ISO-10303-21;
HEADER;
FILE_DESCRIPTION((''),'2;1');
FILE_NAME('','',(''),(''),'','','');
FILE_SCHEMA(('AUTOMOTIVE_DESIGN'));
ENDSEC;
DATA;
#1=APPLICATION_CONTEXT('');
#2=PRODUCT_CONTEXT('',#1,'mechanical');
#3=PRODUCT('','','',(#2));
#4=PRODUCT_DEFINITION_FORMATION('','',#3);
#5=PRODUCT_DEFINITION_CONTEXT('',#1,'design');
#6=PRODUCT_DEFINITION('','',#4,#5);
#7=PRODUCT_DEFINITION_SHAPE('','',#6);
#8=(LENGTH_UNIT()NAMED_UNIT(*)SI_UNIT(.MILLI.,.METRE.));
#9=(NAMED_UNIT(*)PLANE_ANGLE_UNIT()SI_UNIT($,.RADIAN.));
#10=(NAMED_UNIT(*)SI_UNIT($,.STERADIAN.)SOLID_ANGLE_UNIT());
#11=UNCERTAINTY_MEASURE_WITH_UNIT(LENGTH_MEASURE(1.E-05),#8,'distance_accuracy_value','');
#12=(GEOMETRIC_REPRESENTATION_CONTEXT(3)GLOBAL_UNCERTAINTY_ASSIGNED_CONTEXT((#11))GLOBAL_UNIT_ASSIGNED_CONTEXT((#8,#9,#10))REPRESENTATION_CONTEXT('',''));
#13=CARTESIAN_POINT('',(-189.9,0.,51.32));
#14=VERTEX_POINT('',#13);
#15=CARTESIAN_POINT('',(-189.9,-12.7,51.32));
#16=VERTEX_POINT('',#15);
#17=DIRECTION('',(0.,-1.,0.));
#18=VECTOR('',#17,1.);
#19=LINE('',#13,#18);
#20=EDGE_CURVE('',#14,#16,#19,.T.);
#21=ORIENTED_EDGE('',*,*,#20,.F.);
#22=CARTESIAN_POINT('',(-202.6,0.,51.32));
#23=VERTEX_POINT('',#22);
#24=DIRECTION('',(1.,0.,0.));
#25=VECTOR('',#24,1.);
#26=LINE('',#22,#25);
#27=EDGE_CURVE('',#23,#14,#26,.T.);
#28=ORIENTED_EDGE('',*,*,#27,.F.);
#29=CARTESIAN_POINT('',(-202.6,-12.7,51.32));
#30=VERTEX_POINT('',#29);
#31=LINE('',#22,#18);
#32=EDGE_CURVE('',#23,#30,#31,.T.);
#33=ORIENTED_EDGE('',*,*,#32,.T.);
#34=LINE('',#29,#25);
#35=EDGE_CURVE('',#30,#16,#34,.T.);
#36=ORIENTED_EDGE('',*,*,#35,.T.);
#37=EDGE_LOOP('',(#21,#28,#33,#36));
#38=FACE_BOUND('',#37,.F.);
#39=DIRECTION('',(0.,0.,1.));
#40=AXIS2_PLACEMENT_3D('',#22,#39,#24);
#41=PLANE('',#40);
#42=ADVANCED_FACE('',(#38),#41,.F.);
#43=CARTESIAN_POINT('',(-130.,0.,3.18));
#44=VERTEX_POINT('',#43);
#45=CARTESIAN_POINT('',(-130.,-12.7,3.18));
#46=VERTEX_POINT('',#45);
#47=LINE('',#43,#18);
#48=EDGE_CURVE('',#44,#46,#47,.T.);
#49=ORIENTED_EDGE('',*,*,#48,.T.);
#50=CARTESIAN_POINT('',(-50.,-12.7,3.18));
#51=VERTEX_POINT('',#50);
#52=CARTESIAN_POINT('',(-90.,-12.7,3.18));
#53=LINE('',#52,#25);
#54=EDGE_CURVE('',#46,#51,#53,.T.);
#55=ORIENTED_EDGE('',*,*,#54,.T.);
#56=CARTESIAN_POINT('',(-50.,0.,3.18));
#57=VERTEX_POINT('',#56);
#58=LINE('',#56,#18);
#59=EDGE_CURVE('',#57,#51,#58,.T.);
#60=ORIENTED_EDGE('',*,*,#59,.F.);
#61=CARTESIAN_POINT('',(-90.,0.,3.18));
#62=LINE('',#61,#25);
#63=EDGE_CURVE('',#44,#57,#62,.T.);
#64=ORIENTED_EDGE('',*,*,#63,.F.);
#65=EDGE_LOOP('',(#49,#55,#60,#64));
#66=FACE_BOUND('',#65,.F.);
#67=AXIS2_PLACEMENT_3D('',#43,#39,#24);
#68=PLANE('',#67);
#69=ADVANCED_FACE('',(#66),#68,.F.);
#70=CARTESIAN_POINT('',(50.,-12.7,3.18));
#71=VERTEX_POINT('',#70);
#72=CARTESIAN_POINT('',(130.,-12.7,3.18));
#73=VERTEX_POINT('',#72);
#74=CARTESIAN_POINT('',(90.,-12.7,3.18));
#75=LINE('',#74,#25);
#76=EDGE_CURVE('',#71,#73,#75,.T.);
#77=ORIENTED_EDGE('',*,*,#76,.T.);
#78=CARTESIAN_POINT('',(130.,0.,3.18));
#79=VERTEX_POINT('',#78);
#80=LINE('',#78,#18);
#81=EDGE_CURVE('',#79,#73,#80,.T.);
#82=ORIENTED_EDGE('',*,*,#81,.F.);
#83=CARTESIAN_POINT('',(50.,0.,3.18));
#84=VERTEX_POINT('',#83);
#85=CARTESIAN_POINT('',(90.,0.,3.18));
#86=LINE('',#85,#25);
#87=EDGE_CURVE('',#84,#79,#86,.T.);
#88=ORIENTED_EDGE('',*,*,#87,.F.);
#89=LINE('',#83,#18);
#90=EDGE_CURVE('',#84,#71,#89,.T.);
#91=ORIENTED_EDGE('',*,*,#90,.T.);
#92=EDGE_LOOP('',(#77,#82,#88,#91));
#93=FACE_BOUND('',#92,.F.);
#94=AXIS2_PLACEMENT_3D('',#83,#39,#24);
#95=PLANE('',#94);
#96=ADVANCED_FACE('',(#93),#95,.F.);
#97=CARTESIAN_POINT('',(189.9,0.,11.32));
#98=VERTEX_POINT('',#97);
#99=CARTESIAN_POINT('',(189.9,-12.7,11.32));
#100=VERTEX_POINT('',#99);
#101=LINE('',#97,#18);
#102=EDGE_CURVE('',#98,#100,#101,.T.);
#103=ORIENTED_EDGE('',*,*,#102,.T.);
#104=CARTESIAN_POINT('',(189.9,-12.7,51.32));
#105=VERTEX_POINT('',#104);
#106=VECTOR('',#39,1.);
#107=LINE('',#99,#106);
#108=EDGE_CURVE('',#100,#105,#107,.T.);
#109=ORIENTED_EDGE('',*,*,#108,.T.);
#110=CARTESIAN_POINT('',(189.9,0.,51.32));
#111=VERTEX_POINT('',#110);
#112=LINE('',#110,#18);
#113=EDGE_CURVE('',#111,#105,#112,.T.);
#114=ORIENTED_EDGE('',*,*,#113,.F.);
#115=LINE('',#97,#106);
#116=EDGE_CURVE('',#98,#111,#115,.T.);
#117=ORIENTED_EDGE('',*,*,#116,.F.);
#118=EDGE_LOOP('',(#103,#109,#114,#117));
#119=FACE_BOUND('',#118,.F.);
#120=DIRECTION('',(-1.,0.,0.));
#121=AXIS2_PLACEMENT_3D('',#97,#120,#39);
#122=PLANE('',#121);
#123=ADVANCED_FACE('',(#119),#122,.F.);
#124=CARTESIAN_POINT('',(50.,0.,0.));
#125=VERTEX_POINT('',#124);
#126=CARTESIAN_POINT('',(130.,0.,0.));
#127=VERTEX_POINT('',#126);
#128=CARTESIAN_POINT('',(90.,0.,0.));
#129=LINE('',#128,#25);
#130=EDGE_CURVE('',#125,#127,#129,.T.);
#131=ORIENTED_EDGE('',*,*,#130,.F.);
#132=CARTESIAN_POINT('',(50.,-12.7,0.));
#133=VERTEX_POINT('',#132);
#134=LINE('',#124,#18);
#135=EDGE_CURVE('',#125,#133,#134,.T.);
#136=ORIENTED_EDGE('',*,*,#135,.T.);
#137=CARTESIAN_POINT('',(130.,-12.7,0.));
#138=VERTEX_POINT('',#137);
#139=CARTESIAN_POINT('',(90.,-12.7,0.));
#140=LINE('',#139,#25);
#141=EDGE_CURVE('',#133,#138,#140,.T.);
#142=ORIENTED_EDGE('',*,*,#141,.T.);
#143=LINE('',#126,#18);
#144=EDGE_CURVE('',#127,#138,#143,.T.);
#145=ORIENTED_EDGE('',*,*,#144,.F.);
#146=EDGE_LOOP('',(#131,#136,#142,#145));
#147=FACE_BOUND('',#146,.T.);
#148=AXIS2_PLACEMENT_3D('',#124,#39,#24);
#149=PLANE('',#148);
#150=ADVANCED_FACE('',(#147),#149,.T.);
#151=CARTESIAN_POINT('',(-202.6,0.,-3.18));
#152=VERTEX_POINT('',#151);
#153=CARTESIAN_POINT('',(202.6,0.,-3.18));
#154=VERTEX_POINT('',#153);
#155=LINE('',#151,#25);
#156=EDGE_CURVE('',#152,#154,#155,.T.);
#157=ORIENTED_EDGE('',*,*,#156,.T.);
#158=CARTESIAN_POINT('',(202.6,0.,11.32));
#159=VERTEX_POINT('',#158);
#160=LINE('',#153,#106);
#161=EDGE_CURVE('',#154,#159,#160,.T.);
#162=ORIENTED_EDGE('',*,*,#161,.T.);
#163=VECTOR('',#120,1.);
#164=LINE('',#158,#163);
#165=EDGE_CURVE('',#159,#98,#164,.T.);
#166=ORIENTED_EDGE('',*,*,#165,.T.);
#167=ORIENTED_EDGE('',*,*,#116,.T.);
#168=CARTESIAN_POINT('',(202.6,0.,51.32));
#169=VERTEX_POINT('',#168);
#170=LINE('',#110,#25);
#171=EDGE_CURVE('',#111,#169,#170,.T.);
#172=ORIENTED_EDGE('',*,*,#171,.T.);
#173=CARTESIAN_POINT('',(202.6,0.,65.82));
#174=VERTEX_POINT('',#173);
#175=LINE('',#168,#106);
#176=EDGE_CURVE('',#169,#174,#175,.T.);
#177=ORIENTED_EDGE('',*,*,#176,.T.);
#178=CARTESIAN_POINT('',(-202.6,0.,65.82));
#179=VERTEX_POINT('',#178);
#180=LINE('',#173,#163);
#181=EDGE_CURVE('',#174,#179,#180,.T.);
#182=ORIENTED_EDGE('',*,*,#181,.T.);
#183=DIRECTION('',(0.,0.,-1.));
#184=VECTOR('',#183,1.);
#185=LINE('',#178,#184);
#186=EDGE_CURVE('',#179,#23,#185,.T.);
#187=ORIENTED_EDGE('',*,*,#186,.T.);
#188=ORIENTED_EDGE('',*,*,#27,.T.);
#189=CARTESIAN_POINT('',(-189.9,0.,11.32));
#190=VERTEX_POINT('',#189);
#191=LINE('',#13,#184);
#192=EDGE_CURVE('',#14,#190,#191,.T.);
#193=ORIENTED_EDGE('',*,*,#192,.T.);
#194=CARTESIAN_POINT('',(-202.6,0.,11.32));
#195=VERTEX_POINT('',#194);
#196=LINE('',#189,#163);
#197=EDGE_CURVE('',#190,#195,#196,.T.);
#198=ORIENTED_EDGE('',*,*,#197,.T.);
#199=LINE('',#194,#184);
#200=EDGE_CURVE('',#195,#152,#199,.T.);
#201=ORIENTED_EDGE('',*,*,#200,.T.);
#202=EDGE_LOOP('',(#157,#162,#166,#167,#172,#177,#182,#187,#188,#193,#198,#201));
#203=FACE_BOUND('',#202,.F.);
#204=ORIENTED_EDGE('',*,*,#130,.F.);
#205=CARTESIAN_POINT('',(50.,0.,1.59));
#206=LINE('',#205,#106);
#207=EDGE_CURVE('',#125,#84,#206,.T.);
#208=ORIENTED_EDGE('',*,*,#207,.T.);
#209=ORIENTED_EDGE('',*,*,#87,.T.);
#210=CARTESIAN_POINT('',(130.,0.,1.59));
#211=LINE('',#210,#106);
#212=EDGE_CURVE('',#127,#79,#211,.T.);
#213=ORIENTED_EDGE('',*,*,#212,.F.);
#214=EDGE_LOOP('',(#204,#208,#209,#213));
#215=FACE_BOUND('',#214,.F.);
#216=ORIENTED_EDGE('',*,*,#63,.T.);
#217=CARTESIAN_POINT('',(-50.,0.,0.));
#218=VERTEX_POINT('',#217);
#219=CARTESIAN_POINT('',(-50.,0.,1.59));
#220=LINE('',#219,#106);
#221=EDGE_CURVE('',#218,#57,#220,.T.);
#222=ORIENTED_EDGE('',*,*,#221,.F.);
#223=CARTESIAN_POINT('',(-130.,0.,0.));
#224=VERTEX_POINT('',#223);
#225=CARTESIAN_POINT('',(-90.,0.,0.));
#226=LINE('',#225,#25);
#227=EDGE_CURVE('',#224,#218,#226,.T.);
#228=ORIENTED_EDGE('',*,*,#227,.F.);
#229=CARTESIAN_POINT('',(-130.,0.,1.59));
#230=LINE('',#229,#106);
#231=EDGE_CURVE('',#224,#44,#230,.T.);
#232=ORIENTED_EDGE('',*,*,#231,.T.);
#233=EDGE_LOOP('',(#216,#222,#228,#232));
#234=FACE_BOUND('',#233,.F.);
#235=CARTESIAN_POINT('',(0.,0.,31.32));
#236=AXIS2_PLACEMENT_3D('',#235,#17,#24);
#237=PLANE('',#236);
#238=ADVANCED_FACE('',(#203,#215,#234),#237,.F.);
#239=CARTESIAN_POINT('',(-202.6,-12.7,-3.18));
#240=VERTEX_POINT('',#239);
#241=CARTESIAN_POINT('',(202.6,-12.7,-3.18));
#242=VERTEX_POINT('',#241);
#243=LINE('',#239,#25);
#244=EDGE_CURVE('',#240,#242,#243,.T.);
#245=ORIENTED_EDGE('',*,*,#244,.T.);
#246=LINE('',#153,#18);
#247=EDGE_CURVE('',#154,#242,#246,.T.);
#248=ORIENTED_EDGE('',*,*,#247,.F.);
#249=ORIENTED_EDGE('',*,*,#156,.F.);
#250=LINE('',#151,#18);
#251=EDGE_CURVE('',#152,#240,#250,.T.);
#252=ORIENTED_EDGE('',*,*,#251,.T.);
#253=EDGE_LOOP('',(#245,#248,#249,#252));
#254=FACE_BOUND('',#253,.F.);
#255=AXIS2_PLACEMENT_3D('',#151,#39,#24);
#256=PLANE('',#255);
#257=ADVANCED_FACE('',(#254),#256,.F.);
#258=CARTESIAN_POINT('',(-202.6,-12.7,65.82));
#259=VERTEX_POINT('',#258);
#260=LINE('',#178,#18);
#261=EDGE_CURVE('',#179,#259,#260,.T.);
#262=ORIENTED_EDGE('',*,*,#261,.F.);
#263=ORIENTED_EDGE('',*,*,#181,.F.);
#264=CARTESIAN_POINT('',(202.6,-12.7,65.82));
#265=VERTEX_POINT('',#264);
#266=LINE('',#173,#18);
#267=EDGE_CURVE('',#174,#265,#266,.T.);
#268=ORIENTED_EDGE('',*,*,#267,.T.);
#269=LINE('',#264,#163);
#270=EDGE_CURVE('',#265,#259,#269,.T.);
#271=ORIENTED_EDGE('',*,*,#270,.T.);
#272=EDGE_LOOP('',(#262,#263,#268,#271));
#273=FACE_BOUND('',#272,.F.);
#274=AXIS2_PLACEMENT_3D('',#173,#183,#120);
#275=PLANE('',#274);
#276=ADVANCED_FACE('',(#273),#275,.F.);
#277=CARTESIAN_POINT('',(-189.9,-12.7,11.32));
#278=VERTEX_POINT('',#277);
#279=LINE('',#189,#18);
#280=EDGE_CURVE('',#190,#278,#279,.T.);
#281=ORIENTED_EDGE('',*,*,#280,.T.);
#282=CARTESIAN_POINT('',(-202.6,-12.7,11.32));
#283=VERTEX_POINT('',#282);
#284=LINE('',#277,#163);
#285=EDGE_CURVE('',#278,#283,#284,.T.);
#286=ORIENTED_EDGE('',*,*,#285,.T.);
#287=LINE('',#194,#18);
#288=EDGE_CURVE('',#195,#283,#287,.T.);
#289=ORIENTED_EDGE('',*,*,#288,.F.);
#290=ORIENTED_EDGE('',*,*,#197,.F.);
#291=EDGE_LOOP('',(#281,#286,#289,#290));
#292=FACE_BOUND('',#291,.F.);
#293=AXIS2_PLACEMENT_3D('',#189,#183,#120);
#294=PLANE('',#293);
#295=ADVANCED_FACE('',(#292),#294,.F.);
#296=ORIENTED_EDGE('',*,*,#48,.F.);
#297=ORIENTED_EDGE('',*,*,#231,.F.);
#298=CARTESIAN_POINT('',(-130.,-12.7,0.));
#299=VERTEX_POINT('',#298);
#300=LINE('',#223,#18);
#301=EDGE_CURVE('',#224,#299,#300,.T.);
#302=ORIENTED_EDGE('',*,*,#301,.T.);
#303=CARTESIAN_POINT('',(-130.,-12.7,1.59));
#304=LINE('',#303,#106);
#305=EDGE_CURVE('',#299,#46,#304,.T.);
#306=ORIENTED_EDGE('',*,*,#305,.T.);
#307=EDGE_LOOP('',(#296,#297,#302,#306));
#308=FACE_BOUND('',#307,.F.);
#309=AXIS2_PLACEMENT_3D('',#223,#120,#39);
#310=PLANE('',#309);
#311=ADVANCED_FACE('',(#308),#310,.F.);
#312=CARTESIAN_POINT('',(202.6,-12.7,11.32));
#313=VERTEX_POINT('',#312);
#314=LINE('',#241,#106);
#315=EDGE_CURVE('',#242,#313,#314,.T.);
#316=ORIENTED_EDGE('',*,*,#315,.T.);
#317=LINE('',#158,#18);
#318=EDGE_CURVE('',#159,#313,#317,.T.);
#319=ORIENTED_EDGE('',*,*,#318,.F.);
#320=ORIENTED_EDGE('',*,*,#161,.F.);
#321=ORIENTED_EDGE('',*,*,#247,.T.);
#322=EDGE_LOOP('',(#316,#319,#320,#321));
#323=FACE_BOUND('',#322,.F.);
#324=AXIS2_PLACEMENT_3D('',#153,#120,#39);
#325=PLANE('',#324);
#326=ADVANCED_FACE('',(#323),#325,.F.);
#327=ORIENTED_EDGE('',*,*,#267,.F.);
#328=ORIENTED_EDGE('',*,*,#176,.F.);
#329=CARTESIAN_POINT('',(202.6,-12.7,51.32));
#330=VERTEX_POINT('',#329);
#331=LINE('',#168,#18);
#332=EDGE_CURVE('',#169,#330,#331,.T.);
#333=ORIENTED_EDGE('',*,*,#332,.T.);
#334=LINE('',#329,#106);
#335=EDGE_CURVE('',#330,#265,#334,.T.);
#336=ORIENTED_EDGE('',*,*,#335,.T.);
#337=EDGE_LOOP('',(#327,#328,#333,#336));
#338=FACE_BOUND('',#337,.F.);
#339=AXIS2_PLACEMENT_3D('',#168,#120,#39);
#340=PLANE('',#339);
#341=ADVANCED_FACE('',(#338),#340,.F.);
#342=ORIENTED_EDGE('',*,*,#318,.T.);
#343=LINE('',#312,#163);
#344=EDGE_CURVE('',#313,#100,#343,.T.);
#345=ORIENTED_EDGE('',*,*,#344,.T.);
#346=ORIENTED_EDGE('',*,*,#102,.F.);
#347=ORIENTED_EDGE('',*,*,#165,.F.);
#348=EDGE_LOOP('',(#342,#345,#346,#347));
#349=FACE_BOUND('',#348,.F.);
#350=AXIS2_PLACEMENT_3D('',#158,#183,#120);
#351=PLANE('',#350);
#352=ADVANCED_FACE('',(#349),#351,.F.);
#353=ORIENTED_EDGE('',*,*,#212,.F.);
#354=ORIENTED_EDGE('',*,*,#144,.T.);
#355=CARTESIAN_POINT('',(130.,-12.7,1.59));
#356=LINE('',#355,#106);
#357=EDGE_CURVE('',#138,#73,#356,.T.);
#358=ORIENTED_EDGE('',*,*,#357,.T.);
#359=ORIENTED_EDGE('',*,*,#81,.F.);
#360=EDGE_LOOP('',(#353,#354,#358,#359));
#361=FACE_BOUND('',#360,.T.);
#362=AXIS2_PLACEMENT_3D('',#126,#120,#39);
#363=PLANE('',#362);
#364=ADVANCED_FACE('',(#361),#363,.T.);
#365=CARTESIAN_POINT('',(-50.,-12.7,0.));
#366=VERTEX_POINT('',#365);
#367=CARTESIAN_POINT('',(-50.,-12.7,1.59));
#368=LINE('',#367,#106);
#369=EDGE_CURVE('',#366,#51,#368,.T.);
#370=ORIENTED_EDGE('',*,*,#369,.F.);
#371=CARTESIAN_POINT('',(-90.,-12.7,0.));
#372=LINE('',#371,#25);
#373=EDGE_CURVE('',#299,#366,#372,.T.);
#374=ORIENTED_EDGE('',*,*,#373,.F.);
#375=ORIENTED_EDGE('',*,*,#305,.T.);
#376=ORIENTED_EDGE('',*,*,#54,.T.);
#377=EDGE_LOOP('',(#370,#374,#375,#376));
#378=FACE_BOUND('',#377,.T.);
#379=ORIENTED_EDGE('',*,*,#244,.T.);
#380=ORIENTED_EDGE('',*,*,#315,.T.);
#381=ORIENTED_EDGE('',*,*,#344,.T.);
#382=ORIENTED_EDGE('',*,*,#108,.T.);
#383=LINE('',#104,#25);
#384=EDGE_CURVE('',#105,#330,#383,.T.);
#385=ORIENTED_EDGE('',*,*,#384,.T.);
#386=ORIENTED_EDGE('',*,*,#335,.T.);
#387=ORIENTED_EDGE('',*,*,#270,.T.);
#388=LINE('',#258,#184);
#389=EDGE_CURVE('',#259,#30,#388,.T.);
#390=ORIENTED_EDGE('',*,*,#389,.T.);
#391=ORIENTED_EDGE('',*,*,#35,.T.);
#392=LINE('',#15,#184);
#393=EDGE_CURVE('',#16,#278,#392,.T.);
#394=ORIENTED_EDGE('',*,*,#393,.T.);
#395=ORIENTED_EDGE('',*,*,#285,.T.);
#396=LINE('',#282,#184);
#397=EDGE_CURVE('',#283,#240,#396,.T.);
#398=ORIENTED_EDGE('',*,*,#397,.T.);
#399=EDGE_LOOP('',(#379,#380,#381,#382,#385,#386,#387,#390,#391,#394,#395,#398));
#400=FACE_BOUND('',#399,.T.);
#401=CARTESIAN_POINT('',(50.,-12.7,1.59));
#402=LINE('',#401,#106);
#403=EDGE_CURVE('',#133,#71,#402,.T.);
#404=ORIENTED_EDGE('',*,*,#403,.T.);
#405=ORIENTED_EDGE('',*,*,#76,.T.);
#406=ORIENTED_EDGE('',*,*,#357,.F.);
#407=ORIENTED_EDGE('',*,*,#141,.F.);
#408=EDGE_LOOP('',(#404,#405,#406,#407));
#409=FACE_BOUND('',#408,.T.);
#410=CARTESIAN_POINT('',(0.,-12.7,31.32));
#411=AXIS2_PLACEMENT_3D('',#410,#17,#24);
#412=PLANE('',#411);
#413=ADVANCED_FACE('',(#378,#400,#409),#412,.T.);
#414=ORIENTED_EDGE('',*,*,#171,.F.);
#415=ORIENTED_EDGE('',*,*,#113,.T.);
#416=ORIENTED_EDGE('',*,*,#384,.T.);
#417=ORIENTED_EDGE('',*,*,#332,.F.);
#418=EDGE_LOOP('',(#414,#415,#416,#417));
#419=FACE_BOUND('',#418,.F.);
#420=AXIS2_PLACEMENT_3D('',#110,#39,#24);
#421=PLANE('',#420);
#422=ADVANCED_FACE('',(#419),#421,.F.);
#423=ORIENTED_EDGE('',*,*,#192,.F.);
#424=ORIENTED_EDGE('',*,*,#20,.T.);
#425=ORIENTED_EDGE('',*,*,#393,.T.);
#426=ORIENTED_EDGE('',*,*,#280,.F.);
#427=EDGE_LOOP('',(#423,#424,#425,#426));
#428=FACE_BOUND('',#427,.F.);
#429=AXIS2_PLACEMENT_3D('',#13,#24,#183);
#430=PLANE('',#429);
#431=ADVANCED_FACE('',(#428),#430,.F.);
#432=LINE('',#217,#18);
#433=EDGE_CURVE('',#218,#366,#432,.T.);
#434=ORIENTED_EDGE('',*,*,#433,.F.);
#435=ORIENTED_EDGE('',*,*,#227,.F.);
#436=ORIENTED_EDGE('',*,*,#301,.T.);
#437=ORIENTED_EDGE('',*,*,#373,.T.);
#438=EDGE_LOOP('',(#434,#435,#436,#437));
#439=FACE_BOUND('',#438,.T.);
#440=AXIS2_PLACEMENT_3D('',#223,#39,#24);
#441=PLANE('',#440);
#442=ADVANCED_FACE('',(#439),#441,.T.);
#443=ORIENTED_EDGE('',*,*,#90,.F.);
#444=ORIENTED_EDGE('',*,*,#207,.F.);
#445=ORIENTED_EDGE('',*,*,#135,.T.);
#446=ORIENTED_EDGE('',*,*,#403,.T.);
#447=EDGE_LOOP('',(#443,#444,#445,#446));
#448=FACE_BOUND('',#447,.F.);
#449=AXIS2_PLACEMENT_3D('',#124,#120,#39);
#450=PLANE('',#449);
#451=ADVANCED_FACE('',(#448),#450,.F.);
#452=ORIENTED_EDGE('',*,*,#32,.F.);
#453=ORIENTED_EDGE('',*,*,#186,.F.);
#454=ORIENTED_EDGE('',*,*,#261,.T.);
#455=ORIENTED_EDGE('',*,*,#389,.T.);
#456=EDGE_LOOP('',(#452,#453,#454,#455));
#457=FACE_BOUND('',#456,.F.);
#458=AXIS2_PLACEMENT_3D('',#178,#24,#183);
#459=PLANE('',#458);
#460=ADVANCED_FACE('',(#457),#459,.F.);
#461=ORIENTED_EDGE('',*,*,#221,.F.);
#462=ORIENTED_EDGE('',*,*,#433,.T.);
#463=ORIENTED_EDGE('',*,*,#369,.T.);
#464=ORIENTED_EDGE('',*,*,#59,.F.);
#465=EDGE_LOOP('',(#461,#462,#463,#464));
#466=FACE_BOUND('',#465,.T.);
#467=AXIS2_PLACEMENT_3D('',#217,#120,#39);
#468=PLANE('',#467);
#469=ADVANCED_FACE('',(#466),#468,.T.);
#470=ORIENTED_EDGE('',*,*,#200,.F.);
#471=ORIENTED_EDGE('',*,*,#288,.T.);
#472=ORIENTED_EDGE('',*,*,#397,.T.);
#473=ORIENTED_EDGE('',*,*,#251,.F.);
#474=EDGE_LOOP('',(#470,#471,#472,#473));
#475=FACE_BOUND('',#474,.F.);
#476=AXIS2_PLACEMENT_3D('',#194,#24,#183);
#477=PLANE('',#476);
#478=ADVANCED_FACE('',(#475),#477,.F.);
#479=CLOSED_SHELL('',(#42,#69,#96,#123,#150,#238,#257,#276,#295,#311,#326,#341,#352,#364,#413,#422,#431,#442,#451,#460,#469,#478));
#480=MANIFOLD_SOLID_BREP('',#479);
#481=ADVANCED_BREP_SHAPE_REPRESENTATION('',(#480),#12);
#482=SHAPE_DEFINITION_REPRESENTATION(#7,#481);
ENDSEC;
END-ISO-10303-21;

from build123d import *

# Parameters (mm, degrees)
F1_W     = 80
F1_H     = 3.18
F2_DEPTH = 12.7


with BuildPart() as f2:
    # F1 (on Front) → F2 (new body)
    with BuildSketch(Plane.XZ):
        Polygon((-202.6, -3.18), (202.6, -3.18), (202.6, 11.32), (189.9, 11.32), (189.9, 51.32), (202.6, 51.32), (202.6, 65.82), (-202.6, 65.82), (-202.6, 51.32), (-189.9, 51.32), (-189.9, 11.32), (-202.6, 11.32), align=None)
        with Locations((-90, 1.59)):
            Rectangle(F1_W, F1_H, mode=Mode.SUBTRACT)
        with Locations((90, 1.59)):
            Rectangle(F1_W, F1_H, mode=Mode.SUBTRACT)
    extrude(amount=F2_DEPTH)


solid = f2.part
